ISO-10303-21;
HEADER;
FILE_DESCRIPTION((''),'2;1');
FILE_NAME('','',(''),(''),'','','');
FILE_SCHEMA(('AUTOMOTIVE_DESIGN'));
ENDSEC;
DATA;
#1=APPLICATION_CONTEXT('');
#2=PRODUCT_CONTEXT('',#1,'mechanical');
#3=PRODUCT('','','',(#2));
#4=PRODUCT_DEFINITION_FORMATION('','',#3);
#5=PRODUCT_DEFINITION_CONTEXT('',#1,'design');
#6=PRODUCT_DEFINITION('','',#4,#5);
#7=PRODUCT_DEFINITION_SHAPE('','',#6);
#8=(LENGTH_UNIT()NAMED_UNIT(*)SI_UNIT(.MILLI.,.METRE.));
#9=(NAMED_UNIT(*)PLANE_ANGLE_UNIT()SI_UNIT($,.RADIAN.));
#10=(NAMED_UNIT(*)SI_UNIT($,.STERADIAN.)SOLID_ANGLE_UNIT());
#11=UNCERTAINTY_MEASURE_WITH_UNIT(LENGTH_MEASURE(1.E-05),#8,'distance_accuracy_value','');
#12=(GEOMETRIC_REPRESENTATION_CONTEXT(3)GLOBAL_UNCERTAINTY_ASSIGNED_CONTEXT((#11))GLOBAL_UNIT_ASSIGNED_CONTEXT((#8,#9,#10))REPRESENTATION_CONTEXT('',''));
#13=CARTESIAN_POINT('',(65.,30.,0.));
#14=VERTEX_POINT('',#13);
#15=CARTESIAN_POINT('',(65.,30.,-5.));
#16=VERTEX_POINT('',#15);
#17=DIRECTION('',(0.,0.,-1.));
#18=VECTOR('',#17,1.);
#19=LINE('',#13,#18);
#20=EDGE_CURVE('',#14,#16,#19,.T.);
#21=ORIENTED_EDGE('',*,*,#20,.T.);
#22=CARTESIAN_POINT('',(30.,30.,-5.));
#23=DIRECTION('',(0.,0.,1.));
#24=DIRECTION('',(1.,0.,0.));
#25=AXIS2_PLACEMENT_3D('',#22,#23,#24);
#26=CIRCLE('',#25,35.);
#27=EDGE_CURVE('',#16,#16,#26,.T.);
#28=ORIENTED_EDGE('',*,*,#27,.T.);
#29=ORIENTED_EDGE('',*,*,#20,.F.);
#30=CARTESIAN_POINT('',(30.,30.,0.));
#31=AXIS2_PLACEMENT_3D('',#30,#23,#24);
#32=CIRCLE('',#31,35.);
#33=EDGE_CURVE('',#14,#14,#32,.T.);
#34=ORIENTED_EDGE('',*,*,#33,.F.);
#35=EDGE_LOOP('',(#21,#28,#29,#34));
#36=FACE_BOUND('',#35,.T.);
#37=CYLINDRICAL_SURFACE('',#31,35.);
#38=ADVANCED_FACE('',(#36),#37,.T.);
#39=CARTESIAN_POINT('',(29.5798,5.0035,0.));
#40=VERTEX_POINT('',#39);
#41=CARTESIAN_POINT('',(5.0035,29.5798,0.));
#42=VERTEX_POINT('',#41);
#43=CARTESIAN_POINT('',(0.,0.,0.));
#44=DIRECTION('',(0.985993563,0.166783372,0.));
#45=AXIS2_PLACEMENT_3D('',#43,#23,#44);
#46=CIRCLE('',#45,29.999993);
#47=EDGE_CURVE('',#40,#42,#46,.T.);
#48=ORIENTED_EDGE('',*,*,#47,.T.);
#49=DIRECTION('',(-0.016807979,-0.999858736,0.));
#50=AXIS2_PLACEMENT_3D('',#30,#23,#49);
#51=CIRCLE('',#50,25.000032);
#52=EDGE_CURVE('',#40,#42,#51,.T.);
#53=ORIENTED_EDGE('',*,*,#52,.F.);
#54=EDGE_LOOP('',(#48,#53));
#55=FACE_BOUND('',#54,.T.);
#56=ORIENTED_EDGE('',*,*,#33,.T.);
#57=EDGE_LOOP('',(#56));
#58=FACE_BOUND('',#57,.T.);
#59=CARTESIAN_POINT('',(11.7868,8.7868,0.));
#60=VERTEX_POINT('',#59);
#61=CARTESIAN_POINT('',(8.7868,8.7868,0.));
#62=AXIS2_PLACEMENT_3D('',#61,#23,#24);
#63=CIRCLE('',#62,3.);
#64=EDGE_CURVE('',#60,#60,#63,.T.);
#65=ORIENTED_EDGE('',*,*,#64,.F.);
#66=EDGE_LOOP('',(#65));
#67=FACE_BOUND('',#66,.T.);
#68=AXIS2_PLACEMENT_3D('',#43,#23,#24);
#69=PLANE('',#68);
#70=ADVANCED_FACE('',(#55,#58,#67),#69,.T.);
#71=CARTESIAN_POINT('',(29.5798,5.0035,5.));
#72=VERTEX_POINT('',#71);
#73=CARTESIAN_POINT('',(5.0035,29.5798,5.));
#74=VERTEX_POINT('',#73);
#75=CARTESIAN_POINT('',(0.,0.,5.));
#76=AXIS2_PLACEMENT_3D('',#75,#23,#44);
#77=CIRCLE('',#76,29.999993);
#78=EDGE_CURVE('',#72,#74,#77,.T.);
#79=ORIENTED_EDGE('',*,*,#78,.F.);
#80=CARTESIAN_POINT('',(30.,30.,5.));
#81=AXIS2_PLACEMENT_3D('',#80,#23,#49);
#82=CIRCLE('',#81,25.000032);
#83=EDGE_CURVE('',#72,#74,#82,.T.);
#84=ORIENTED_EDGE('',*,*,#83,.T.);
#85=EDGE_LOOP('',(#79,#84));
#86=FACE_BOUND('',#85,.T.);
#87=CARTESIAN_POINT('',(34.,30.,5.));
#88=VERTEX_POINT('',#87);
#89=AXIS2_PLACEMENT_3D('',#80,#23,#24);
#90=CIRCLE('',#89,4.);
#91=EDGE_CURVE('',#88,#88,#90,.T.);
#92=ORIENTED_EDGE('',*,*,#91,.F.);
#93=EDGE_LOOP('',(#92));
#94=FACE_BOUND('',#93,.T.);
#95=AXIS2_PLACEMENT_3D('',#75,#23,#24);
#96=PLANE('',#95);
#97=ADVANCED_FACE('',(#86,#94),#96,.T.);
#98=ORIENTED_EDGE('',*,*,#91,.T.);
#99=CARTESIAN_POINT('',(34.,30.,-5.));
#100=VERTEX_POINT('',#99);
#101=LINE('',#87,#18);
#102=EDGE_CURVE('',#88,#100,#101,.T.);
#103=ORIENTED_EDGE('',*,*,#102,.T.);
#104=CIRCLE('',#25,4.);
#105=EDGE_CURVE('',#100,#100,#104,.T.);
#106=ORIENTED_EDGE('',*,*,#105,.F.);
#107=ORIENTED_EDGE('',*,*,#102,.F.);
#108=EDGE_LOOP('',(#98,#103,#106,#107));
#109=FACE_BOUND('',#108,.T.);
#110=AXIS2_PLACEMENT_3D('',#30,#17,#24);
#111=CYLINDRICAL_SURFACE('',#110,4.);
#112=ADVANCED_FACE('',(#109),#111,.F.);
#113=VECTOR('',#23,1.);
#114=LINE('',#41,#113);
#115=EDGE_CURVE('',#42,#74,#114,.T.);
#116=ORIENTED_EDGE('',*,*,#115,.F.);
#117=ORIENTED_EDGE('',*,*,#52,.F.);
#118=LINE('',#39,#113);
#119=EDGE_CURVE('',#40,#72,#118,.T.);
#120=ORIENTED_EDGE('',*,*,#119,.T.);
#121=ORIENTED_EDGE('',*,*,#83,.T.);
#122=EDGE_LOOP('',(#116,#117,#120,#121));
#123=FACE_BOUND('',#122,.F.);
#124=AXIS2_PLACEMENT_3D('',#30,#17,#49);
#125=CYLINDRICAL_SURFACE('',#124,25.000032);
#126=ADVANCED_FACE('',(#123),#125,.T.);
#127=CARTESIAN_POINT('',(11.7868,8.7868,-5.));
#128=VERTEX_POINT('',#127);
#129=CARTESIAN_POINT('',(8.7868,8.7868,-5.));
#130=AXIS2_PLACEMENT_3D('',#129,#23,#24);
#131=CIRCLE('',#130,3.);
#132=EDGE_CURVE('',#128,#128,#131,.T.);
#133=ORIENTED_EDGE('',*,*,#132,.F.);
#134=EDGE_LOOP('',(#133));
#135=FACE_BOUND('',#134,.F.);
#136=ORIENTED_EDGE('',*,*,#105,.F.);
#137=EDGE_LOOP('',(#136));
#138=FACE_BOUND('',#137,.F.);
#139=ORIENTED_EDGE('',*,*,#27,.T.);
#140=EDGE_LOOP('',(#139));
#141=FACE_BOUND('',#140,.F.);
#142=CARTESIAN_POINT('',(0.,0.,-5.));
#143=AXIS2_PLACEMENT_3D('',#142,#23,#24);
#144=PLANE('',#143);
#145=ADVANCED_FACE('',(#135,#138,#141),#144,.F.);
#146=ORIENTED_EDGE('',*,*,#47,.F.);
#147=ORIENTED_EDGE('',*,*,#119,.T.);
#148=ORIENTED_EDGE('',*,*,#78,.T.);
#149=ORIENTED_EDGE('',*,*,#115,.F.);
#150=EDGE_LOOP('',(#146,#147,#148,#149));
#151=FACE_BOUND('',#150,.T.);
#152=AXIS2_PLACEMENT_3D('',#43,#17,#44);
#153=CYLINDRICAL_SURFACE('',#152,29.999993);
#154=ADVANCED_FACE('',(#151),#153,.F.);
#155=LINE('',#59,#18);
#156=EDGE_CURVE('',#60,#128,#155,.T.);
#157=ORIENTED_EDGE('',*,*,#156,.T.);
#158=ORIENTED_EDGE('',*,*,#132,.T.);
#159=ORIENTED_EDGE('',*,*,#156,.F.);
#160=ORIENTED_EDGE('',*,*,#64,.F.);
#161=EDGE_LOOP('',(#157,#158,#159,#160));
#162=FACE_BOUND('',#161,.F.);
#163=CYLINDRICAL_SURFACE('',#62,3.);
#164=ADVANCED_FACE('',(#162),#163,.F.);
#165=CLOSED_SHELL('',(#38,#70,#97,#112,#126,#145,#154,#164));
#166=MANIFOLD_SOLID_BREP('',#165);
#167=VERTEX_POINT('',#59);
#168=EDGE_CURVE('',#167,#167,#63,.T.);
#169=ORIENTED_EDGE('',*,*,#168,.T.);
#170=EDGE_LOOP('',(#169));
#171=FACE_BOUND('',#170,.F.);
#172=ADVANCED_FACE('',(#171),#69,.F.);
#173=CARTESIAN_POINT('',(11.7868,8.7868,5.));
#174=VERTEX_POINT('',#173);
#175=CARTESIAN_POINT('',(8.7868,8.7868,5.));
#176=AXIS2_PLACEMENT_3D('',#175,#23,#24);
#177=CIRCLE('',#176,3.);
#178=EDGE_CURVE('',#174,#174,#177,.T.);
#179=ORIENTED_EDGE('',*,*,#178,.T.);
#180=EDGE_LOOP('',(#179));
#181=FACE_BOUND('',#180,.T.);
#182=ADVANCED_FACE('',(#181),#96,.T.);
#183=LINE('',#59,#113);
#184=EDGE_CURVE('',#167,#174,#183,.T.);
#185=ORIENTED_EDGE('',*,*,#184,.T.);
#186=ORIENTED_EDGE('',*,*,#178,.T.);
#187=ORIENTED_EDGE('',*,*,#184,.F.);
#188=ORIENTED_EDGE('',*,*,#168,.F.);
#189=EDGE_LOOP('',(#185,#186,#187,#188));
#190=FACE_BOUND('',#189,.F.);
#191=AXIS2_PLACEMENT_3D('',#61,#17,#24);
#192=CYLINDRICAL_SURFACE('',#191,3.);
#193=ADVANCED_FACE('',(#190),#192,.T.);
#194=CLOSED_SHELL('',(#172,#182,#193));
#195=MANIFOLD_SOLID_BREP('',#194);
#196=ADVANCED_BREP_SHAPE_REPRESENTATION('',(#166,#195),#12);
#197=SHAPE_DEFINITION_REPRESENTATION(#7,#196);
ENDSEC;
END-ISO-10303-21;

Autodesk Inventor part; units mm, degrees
ref_plane "YZ Plane" through (0, 0, 0) normal (1, 0, 0) x (0, 1, 0)
ref_plane "XZ Plane" through (0, 0, 0) normal (0, 1, 0) x (-1, 0, 0)
ref_plane "XY Plane" through (0, 0, 0) normal (0, 0, 1) x (1, 0, 0)
sketch "Sketch1" plane through (0, 0, 0) normal (0, 0, 1) x (1, 0, 0)
  line L0 (0, 0) -> (30, 0) construction
  line L1 (30, 0) -> (30, 30) construction
  line L2 (30, 30) -> (0, 30) construction
  line L3 (0, 30) -> (0, 0) construction
  circle A0 centre (0, 0) radius 30 construction
  circle A1 centre (30, 30) radius 30 construction
  circle A2 centre (30, 30) radius 35
  arc A3 (29.5798, 5.0035) -> (5.0035, 29.5798) centre (30, 30) ccw
  arc A4 (29.5798, 5.0035) -> (5.0035, 29.5798) centre (0, 0) ccw
  line L4 (30, 30) -> (0, 0) construction
  circle A5 centre (30, 30) radius 4
  circle A6 centre (8.7868, 8.7868) radius 3
  dimension "d3" = 60
  dimension "d0" = 30
  dimension "d1" = 30
  dimension "d2" = 60
  dimension "d4" = 70
  dimension "d5" = 50
  dimension "d6" = 8
  dimension "d7" = 6
extrude "Extrusion1" add sketch "Sketch1" along normal blind 5 contours A4 A3 | A6
extrude "Extrusion2" add sketch "Sketch1" against normal blind 5 contours A2 | A4 A3
properties part number "Geneva-driver"
